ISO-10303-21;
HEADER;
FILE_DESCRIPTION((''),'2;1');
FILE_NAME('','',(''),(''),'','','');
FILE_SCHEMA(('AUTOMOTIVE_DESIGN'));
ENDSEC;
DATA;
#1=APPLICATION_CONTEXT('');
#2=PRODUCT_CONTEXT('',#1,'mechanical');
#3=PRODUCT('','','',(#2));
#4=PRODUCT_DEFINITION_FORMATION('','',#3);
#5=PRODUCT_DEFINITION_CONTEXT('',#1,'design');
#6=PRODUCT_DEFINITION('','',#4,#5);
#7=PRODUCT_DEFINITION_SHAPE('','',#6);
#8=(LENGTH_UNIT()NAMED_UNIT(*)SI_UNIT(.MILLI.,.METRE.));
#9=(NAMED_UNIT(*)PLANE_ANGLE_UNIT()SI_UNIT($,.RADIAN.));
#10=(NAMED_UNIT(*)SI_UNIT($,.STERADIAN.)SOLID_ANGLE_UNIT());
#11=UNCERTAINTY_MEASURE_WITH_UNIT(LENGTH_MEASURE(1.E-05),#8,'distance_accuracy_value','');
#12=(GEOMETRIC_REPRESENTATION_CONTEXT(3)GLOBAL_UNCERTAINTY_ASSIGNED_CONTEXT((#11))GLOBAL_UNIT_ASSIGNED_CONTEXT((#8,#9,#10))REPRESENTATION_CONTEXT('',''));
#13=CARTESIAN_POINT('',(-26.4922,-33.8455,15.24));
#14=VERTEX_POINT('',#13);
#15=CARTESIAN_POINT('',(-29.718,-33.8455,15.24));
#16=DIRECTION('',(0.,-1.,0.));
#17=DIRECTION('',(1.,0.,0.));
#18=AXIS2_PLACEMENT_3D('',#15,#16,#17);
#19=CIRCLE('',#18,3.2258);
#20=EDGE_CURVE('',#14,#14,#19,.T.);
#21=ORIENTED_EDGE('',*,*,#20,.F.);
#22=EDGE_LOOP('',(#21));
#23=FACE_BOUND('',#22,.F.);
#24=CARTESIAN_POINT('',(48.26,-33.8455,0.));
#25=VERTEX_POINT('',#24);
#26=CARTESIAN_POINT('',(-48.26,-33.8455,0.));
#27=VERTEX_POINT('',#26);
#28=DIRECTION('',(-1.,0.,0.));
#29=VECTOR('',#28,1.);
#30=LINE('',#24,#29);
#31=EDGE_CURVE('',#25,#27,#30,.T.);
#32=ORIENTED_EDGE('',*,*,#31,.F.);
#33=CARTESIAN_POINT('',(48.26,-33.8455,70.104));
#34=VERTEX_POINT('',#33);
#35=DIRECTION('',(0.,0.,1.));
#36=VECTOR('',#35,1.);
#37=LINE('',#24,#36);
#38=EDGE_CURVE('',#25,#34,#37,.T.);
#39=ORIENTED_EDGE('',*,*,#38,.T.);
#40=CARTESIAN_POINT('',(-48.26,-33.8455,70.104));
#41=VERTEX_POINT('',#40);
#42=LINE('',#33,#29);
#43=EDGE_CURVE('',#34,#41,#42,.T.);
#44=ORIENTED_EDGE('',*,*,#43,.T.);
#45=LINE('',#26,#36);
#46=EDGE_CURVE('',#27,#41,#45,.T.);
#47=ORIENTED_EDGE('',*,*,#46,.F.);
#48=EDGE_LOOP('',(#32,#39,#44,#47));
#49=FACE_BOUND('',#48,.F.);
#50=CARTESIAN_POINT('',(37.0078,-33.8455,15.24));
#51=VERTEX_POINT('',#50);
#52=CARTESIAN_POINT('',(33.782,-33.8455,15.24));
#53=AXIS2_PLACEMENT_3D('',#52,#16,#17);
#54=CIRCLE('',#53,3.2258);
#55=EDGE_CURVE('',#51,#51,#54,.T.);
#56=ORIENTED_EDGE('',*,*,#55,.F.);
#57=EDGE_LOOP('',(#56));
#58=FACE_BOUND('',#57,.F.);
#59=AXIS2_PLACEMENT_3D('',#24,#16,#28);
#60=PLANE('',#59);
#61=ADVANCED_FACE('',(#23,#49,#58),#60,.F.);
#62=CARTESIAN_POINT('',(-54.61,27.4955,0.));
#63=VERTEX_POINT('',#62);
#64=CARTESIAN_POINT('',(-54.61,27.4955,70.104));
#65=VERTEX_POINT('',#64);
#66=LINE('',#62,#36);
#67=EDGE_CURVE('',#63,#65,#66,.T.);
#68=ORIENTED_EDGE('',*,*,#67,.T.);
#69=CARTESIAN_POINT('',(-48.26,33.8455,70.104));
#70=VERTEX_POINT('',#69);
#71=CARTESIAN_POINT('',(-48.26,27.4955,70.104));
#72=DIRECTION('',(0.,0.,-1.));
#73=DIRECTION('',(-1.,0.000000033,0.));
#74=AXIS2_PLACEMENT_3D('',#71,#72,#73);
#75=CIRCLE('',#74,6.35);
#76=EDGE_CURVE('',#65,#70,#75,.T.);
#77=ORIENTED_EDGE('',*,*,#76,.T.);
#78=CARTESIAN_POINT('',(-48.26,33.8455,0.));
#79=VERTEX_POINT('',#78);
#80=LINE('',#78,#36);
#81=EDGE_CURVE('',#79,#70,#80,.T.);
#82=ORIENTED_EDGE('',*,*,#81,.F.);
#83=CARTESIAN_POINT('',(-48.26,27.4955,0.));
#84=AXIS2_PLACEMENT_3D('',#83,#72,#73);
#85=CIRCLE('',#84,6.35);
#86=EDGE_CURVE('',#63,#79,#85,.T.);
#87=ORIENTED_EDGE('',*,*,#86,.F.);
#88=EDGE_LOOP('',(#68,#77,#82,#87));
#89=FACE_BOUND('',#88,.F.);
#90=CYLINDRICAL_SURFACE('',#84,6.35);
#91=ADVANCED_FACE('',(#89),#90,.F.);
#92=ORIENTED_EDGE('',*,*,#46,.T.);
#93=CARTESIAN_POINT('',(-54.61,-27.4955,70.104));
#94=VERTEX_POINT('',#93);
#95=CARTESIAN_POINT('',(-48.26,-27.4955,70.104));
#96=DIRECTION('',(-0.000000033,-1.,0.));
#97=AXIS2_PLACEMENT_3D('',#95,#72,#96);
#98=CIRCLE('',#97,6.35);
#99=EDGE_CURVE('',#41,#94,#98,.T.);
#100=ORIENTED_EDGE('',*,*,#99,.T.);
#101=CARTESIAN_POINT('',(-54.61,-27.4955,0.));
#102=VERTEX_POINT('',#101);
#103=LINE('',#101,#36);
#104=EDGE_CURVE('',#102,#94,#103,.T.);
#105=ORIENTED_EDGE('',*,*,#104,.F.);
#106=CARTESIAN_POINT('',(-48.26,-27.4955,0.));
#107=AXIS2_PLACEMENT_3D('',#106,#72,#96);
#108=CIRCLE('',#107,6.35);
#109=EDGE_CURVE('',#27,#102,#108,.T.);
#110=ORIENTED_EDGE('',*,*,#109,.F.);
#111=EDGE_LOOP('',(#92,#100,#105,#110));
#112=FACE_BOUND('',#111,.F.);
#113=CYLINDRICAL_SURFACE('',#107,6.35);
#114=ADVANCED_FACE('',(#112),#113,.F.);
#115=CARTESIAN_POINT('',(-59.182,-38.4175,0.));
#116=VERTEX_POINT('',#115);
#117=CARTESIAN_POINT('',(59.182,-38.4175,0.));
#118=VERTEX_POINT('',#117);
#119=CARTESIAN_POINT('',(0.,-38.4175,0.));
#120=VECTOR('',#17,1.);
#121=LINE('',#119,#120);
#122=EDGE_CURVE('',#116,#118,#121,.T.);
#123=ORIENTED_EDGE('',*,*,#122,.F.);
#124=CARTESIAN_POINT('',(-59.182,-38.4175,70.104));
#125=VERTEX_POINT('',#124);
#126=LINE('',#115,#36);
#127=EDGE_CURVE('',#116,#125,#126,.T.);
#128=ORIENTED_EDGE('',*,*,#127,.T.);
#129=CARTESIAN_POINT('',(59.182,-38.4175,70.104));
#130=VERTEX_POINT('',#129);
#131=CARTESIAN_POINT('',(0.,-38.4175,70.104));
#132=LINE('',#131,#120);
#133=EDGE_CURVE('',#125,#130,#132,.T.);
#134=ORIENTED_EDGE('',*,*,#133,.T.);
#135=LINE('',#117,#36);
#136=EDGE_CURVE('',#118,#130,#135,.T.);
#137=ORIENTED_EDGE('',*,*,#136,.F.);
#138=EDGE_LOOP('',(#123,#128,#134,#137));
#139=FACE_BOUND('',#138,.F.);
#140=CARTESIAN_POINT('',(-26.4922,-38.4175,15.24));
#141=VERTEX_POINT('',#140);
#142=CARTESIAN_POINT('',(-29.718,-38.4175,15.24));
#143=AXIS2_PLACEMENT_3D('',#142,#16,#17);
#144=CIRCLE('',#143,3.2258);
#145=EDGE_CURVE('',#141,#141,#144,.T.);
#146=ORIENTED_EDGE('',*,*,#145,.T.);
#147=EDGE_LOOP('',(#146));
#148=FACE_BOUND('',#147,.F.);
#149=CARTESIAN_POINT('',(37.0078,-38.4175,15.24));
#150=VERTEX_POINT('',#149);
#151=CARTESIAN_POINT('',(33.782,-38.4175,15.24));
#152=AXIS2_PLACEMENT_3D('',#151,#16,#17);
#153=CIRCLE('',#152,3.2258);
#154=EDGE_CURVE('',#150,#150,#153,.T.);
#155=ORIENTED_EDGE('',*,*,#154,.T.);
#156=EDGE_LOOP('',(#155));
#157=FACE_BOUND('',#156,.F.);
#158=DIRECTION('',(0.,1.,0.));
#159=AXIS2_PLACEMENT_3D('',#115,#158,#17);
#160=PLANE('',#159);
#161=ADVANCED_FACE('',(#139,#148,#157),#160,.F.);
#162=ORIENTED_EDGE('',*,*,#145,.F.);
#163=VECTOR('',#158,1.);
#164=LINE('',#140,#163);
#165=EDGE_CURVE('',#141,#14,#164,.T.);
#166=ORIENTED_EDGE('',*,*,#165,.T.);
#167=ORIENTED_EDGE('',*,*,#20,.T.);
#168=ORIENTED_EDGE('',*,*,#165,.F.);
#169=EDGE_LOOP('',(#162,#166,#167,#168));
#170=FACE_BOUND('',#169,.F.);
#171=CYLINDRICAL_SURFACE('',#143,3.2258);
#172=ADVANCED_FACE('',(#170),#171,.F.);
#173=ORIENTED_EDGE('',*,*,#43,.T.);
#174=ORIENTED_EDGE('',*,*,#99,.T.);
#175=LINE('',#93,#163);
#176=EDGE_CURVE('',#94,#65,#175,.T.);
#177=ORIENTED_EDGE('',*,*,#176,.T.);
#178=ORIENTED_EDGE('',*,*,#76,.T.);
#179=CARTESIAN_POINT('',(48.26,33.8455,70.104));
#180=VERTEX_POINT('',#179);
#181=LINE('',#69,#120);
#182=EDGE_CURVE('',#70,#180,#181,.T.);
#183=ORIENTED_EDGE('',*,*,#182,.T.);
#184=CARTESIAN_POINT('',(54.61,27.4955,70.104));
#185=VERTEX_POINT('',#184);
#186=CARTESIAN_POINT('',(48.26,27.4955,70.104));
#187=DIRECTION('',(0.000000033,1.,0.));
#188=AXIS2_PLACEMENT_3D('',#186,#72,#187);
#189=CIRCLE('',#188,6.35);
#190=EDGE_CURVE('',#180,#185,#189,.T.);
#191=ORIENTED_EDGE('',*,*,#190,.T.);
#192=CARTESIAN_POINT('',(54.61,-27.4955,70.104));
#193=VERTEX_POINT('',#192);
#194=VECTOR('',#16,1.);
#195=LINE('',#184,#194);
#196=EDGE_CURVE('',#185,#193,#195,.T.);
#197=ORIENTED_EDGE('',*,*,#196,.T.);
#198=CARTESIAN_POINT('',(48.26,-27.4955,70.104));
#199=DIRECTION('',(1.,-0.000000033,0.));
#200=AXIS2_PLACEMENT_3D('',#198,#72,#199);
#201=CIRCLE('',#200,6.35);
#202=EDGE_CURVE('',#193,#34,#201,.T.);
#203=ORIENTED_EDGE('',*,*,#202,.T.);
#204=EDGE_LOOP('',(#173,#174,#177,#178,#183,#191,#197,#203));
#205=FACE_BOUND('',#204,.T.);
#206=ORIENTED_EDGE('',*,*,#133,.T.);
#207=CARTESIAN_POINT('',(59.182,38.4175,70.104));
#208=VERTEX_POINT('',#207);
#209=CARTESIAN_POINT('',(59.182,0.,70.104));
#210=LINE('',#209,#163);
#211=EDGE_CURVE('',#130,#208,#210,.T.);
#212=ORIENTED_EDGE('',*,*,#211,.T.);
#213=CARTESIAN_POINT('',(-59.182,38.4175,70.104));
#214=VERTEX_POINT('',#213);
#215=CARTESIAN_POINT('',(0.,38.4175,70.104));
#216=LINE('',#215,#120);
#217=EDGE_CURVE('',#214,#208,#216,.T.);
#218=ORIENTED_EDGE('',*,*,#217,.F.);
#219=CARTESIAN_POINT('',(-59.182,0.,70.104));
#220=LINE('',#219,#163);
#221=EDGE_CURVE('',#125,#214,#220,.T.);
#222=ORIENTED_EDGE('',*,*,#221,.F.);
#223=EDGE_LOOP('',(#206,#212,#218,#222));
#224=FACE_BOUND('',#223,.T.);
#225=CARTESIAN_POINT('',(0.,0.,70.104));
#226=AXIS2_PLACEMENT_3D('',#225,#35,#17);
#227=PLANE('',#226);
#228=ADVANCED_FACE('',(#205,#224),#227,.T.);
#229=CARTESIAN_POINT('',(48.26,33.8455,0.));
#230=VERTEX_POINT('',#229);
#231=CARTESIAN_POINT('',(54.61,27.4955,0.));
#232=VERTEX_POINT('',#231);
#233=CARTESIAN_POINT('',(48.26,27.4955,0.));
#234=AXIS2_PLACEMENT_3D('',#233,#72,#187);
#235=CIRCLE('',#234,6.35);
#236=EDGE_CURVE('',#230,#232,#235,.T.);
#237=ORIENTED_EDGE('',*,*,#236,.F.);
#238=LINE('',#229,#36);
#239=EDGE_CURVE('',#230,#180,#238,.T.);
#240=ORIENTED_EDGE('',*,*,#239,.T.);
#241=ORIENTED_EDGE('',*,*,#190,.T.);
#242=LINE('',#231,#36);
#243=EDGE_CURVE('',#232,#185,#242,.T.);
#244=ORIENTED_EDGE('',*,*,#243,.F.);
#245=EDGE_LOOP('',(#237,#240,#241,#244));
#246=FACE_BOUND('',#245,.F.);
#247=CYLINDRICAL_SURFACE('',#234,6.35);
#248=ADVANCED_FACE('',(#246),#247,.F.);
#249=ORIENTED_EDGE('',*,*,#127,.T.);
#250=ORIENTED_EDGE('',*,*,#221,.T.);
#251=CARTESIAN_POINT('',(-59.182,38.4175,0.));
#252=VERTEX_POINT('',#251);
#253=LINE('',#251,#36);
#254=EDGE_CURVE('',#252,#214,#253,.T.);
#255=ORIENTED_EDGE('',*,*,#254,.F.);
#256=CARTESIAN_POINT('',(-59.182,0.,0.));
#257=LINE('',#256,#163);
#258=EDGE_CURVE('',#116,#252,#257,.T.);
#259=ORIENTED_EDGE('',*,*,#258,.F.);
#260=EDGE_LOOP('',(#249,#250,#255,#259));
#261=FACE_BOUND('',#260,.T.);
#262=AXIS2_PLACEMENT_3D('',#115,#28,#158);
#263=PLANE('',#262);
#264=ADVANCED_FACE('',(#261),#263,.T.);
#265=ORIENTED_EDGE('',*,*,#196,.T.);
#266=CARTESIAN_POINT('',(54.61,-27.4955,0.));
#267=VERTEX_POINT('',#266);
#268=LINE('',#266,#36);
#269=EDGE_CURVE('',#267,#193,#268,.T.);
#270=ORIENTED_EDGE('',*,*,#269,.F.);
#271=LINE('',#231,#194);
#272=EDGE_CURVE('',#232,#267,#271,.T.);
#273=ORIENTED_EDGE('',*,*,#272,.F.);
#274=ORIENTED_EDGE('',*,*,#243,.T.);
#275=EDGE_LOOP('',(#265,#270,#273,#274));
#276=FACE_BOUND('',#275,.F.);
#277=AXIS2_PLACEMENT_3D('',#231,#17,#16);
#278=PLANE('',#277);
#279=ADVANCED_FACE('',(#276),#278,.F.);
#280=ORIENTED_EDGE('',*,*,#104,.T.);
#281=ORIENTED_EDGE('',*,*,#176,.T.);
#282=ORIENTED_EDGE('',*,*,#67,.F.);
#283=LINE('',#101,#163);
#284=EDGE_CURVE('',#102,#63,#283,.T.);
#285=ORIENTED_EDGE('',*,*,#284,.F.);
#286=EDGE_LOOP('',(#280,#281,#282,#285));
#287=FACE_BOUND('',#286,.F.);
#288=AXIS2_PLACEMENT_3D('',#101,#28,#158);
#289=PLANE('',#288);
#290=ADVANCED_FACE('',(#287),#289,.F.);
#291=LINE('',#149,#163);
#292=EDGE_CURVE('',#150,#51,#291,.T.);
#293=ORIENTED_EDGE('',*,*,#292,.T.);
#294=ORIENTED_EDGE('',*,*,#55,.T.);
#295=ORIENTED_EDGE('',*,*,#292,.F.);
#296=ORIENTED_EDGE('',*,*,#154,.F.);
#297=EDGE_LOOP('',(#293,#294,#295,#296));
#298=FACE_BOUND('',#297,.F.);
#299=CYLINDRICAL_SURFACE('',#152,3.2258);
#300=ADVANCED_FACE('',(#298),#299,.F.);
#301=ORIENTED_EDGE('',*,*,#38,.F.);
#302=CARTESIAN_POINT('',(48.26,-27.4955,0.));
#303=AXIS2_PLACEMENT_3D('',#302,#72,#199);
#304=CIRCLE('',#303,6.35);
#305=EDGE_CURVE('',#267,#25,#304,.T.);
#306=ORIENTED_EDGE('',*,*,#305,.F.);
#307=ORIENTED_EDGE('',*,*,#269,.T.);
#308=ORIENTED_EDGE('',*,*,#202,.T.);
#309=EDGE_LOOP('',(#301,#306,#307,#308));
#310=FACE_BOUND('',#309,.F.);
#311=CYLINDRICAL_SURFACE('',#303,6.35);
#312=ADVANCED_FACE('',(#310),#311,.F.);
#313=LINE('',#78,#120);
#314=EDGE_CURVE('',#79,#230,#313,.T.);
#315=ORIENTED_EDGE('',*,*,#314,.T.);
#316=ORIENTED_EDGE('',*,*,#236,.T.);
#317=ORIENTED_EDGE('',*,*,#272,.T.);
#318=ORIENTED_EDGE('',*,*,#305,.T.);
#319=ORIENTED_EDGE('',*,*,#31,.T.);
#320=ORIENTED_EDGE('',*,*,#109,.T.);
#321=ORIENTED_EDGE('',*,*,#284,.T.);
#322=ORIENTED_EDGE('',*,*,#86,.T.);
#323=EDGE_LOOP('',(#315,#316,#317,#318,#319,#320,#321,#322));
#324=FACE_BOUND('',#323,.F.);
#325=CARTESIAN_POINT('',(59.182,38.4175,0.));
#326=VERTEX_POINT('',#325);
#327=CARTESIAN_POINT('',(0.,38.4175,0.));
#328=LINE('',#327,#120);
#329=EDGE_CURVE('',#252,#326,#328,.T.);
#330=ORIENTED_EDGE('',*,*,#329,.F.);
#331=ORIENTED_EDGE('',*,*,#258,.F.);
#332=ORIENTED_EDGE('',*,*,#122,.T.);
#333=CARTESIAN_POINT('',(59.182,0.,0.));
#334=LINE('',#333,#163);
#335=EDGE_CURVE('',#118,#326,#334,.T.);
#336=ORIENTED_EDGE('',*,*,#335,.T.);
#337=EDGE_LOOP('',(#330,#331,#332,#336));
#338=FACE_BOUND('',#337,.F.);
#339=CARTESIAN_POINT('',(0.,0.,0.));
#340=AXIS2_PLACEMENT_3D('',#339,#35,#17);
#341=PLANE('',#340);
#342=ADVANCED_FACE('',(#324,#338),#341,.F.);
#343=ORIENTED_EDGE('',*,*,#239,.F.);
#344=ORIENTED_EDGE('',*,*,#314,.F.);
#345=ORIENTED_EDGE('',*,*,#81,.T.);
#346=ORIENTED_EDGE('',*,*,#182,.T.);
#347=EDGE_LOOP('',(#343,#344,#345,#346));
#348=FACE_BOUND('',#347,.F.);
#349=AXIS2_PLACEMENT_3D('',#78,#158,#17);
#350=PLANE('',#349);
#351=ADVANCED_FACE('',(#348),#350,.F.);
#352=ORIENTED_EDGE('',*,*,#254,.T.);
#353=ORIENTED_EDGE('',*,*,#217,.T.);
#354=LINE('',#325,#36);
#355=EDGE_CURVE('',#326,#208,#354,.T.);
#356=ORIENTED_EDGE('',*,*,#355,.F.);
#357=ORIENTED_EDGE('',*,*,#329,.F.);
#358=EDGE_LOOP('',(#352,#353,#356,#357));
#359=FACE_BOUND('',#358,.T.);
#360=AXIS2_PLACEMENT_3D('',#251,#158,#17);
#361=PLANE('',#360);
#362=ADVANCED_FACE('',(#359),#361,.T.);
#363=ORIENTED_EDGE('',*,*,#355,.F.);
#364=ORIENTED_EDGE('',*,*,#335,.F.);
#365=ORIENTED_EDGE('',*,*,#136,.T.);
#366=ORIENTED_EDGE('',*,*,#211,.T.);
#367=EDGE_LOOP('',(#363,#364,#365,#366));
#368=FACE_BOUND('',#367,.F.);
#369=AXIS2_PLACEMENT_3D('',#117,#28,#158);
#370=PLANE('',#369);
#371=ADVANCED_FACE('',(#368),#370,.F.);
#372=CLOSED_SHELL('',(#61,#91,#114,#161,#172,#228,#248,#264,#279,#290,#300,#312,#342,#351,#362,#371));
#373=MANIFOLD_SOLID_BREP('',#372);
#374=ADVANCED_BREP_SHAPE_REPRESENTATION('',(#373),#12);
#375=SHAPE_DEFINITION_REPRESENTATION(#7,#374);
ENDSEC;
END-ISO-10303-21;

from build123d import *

# Parameters (mm, degrees)
F0_W     = 118.364
F0_H     = 76.835
F1_DEPTH = 70.104
F2_R     = 3.2258
F3_DEPTH = 25.4


with BuildPart() as f1:
    # F0 (on Top) → F1 (new body)
    with BuildSketch(Plane.XY):
        Rectangle(F0_W, F0_H)
        with BuildLine():
            ThreePointArc((-54.61, 27.4955), (-52.750128, 31.985628), (-48.26, 33.8455))
            Line((-48.26, 33.8455), (48.26, 33.8455))
            ThreePointArc((48.26, 33.8455), (52.750128, 31.985628), (54.61, 27.4955))
            Line((54.61, 27.4955), (54.61, -27.4955))
            ThreePointArc((54.61, -27.4955), (52.750128, -31.985628), (48.26, -33.8455))
            Line((48.26, -33.8455), (-48.26, -33.8455))
            ThreePointArc((-48.26, -33.8455), (-52.750128, -31.985628), (-54.61, -27.4955))
            Line((-54.61, -27.4955), (-54.61, 27.4955))
        make_face(mode=Mode.SUBTRACT)
    extrude(amount=F1_DEPTH)

    # F2 (on face) → F3 (cut)
    with BuildSketch(Plane.XZ.offset(38.4175)):
        with Locations((33.782, 15.24)):
            Circle(F2_R)
        with Locations((-29.718, 15.24)):
            Circle(F2_R)
    extrude(amount=-F3_DEPTH, mode=Mode.SUBTRACT)


solid = f1.part
